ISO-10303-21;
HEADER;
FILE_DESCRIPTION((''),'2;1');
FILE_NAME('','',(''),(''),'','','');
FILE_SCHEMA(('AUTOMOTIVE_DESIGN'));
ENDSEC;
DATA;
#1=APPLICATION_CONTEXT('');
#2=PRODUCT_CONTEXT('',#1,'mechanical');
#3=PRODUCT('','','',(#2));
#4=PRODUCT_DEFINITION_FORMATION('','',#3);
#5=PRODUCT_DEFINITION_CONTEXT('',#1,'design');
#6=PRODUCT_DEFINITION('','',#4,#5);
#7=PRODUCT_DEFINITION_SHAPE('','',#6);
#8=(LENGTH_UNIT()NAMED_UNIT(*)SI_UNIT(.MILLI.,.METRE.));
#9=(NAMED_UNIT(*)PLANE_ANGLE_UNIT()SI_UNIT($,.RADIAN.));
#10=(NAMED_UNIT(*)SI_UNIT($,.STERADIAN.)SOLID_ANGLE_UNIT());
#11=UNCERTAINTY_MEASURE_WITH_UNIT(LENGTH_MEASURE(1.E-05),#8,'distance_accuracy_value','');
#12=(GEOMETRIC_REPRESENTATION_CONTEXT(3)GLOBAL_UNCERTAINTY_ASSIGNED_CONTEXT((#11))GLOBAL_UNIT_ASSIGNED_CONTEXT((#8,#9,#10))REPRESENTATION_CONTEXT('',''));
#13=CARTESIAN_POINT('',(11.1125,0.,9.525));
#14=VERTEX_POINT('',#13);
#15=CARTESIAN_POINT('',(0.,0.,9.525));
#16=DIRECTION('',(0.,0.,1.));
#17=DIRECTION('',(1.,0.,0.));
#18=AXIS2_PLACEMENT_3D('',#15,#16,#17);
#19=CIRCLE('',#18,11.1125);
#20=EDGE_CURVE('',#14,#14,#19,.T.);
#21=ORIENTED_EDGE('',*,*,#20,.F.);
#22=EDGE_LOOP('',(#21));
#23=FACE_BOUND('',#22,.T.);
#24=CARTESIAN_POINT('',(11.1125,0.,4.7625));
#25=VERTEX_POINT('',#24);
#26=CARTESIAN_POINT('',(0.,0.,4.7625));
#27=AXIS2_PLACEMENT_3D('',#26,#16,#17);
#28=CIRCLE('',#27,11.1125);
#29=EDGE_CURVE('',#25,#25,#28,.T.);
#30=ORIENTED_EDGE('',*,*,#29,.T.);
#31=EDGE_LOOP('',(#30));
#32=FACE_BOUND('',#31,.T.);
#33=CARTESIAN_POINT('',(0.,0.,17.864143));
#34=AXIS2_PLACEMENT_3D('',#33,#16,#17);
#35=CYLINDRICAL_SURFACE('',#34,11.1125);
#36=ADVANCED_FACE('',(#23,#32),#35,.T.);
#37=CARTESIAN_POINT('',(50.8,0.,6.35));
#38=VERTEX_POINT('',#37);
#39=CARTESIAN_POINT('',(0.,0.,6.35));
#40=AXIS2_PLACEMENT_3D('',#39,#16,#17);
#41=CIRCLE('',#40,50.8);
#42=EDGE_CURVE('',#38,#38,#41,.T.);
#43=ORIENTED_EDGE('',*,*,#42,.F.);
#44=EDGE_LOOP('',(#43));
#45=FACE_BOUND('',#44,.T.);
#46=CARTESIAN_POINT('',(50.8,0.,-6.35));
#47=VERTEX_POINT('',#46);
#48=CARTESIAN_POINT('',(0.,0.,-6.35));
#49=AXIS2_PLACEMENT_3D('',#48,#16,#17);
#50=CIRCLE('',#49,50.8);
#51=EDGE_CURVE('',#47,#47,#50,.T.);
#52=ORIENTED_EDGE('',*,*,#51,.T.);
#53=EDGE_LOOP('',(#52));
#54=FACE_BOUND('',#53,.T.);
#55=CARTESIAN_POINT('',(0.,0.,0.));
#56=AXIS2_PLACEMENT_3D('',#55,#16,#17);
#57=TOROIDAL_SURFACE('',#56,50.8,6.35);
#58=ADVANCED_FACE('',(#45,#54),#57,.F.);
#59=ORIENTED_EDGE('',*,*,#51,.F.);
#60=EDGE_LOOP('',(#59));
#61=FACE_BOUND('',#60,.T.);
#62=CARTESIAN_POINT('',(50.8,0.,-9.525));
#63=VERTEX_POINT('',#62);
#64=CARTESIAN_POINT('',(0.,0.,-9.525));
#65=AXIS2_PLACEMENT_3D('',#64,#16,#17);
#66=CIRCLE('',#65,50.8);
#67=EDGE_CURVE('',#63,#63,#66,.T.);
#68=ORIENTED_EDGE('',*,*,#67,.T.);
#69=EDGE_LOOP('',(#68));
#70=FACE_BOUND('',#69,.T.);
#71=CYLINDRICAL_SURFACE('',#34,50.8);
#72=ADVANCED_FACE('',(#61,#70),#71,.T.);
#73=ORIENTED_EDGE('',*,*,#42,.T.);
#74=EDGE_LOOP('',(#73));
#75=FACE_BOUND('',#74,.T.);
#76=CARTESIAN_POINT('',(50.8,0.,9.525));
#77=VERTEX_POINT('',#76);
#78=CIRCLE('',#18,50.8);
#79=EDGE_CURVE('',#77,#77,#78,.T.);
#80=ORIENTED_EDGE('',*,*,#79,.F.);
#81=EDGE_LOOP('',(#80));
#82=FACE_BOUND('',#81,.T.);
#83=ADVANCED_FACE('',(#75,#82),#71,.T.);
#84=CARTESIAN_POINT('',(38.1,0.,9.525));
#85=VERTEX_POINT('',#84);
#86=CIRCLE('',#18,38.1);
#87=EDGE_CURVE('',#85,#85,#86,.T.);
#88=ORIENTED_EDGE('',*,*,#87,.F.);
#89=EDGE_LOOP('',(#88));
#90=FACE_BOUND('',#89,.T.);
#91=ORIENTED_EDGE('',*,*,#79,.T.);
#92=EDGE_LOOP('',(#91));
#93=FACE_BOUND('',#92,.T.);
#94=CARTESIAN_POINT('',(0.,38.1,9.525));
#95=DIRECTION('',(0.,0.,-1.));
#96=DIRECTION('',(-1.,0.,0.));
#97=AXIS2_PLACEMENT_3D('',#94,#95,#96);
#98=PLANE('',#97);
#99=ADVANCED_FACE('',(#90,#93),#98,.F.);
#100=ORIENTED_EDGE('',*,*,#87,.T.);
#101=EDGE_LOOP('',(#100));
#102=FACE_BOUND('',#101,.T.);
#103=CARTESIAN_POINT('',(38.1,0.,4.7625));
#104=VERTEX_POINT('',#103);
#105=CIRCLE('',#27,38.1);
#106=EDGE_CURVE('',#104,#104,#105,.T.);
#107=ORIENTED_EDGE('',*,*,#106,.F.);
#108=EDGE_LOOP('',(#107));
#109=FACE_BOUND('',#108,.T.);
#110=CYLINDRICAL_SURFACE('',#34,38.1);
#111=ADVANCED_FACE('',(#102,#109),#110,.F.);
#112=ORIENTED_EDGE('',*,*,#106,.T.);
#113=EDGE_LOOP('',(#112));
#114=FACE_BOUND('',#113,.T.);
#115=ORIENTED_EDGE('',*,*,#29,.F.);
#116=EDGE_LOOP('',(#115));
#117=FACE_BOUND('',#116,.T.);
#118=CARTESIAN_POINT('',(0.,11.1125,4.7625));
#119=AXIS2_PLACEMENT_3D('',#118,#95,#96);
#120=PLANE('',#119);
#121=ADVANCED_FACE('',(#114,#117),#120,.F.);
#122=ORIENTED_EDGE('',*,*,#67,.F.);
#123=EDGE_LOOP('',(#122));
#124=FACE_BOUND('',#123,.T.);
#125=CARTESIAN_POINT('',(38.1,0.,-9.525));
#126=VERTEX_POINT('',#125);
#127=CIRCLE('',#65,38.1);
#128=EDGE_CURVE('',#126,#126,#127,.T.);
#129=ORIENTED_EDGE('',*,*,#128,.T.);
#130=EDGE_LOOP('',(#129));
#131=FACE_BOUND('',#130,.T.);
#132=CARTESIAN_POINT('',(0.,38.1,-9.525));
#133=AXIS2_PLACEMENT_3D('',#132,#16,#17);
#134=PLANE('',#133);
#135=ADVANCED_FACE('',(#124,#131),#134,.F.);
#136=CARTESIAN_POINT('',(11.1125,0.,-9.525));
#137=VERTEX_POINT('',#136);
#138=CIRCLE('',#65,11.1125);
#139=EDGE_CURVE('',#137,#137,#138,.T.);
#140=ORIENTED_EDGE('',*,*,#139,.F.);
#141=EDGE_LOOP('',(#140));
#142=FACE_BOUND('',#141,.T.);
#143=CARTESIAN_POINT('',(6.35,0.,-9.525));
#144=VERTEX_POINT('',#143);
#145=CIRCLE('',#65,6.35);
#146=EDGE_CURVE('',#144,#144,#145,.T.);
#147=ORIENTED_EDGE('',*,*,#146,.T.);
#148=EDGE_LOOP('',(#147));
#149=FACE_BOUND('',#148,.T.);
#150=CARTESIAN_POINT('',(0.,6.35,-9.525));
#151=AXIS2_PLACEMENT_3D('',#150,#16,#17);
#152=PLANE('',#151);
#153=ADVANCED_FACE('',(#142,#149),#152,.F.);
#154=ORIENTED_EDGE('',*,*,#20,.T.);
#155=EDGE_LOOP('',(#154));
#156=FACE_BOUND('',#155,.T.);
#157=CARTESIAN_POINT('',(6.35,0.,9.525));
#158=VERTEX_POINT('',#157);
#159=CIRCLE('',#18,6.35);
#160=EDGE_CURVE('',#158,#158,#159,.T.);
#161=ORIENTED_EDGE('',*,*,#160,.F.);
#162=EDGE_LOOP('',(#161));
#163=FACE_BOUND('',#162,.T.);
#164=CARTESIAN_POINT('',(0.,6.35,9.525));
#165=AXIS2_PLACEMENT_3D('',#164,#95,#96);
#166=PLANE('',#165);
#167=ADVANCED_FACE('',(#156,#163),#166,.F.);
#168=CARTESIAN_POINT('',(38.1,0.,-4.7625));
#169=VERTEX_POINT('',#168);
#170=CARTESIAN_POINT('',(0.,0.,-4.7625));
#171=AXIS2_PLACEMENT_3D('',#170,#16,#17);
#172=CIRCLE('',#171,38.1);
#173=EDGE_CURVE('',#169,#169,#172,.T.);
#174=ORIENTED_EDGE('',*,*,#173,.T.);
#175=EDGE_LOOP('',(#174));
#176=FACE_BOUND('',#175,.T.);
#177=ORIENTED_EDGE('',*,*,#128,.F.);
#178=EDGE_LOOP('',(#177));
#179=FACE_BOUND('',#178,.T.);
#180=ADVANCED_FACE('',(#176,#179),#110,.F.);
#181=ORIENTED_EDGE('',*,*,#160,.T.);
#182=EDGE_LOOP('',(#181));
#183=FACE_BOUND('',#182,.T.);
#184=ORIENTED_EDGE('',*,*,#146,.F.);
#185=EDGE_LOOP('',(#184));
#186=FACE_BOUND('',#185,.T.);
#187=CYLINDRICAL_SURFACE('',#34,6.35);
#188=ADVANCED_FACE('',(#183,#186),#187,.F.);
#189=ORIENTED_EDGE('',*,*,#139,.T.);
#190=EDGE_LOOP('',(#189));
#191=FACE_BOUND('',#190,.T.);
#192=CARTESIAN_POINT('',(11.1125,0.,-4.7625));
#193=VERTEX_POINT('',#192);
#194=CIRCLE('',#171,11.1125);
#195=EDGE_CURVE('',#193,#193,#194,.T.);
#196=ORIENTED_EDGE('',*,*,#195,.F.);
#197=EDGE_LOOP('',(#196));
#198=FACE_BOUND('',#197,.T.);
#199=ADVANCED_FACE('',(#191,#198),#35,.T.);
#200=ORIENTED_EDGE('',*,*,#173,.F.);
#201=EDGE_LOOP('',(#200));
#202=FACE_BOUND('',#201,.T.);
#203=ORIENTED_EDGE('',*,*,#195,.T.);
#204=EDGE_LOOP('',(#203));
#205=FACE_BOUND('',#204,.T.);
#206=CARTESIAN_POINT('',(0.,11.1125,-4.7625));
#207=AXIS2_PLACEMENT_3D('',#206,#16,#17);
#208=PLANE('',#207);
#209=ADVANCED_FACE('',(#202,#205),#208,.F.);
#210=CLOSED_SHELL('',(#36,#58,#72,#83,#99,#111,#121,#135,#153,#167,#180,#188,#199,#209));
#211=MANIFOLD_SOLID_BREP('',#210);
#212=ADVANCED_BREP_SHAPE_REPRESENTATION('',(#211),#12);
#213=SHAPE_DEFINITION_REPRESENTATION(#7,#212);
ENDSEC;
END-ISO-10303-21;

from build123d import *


with BuildPart() as part:
    # Sketch1 → Revolve1 (revolve)
    with BuildSketch(Plane(origin=(0, 0, 0), x_dir=(0, 0, -1), z_dir=(1, 0, 0)), mode=Mode.PRIVATE) as revolve1_sk:
        with BuildLine():
            Line((-9.525, 6.35), (9.525, 6.35))
            Line((9.525, 6.35), (9.525, 11.1125))
            Line((9.525, 11.1125), (4.7625, 11.1125))
            Line((4.7625, 11.1125), (4.7625, 38.1))
            Line((4.7625, 38.1), (9.525, 38.1))
            Line((9.525, 38.1), (9.525, 50.8))
            Line((9.525, 50.8), (6.35, 50.8))
            ThreePointArc((6.35, 50.8), (0, 44.45), (-6.35, 50.8))
            Line((-6.35, 50.8), (-9.525, 50.8))
            Line((-9.525, 50.8), (-9.525, 38.1))
            Line((-9.525, 38.1), (-4.7625, 38.1))
            Line((-4.7625, 38.1), (-4.7625, 11.1125))
            Line((-4.7625, 11.1125), (-9.525, 11.1125))
            Line((-9.525, 11.1125), (-9.525, 6.35))
        make_face()
    revolve(revolve1_sk.sketch.rotate(Axis((0, 0, 17.864143374), (0, 0, -1)), 90), axis=Axis((0, 0, 17.864143374), (0, 0, -1)))


solid = part.part
